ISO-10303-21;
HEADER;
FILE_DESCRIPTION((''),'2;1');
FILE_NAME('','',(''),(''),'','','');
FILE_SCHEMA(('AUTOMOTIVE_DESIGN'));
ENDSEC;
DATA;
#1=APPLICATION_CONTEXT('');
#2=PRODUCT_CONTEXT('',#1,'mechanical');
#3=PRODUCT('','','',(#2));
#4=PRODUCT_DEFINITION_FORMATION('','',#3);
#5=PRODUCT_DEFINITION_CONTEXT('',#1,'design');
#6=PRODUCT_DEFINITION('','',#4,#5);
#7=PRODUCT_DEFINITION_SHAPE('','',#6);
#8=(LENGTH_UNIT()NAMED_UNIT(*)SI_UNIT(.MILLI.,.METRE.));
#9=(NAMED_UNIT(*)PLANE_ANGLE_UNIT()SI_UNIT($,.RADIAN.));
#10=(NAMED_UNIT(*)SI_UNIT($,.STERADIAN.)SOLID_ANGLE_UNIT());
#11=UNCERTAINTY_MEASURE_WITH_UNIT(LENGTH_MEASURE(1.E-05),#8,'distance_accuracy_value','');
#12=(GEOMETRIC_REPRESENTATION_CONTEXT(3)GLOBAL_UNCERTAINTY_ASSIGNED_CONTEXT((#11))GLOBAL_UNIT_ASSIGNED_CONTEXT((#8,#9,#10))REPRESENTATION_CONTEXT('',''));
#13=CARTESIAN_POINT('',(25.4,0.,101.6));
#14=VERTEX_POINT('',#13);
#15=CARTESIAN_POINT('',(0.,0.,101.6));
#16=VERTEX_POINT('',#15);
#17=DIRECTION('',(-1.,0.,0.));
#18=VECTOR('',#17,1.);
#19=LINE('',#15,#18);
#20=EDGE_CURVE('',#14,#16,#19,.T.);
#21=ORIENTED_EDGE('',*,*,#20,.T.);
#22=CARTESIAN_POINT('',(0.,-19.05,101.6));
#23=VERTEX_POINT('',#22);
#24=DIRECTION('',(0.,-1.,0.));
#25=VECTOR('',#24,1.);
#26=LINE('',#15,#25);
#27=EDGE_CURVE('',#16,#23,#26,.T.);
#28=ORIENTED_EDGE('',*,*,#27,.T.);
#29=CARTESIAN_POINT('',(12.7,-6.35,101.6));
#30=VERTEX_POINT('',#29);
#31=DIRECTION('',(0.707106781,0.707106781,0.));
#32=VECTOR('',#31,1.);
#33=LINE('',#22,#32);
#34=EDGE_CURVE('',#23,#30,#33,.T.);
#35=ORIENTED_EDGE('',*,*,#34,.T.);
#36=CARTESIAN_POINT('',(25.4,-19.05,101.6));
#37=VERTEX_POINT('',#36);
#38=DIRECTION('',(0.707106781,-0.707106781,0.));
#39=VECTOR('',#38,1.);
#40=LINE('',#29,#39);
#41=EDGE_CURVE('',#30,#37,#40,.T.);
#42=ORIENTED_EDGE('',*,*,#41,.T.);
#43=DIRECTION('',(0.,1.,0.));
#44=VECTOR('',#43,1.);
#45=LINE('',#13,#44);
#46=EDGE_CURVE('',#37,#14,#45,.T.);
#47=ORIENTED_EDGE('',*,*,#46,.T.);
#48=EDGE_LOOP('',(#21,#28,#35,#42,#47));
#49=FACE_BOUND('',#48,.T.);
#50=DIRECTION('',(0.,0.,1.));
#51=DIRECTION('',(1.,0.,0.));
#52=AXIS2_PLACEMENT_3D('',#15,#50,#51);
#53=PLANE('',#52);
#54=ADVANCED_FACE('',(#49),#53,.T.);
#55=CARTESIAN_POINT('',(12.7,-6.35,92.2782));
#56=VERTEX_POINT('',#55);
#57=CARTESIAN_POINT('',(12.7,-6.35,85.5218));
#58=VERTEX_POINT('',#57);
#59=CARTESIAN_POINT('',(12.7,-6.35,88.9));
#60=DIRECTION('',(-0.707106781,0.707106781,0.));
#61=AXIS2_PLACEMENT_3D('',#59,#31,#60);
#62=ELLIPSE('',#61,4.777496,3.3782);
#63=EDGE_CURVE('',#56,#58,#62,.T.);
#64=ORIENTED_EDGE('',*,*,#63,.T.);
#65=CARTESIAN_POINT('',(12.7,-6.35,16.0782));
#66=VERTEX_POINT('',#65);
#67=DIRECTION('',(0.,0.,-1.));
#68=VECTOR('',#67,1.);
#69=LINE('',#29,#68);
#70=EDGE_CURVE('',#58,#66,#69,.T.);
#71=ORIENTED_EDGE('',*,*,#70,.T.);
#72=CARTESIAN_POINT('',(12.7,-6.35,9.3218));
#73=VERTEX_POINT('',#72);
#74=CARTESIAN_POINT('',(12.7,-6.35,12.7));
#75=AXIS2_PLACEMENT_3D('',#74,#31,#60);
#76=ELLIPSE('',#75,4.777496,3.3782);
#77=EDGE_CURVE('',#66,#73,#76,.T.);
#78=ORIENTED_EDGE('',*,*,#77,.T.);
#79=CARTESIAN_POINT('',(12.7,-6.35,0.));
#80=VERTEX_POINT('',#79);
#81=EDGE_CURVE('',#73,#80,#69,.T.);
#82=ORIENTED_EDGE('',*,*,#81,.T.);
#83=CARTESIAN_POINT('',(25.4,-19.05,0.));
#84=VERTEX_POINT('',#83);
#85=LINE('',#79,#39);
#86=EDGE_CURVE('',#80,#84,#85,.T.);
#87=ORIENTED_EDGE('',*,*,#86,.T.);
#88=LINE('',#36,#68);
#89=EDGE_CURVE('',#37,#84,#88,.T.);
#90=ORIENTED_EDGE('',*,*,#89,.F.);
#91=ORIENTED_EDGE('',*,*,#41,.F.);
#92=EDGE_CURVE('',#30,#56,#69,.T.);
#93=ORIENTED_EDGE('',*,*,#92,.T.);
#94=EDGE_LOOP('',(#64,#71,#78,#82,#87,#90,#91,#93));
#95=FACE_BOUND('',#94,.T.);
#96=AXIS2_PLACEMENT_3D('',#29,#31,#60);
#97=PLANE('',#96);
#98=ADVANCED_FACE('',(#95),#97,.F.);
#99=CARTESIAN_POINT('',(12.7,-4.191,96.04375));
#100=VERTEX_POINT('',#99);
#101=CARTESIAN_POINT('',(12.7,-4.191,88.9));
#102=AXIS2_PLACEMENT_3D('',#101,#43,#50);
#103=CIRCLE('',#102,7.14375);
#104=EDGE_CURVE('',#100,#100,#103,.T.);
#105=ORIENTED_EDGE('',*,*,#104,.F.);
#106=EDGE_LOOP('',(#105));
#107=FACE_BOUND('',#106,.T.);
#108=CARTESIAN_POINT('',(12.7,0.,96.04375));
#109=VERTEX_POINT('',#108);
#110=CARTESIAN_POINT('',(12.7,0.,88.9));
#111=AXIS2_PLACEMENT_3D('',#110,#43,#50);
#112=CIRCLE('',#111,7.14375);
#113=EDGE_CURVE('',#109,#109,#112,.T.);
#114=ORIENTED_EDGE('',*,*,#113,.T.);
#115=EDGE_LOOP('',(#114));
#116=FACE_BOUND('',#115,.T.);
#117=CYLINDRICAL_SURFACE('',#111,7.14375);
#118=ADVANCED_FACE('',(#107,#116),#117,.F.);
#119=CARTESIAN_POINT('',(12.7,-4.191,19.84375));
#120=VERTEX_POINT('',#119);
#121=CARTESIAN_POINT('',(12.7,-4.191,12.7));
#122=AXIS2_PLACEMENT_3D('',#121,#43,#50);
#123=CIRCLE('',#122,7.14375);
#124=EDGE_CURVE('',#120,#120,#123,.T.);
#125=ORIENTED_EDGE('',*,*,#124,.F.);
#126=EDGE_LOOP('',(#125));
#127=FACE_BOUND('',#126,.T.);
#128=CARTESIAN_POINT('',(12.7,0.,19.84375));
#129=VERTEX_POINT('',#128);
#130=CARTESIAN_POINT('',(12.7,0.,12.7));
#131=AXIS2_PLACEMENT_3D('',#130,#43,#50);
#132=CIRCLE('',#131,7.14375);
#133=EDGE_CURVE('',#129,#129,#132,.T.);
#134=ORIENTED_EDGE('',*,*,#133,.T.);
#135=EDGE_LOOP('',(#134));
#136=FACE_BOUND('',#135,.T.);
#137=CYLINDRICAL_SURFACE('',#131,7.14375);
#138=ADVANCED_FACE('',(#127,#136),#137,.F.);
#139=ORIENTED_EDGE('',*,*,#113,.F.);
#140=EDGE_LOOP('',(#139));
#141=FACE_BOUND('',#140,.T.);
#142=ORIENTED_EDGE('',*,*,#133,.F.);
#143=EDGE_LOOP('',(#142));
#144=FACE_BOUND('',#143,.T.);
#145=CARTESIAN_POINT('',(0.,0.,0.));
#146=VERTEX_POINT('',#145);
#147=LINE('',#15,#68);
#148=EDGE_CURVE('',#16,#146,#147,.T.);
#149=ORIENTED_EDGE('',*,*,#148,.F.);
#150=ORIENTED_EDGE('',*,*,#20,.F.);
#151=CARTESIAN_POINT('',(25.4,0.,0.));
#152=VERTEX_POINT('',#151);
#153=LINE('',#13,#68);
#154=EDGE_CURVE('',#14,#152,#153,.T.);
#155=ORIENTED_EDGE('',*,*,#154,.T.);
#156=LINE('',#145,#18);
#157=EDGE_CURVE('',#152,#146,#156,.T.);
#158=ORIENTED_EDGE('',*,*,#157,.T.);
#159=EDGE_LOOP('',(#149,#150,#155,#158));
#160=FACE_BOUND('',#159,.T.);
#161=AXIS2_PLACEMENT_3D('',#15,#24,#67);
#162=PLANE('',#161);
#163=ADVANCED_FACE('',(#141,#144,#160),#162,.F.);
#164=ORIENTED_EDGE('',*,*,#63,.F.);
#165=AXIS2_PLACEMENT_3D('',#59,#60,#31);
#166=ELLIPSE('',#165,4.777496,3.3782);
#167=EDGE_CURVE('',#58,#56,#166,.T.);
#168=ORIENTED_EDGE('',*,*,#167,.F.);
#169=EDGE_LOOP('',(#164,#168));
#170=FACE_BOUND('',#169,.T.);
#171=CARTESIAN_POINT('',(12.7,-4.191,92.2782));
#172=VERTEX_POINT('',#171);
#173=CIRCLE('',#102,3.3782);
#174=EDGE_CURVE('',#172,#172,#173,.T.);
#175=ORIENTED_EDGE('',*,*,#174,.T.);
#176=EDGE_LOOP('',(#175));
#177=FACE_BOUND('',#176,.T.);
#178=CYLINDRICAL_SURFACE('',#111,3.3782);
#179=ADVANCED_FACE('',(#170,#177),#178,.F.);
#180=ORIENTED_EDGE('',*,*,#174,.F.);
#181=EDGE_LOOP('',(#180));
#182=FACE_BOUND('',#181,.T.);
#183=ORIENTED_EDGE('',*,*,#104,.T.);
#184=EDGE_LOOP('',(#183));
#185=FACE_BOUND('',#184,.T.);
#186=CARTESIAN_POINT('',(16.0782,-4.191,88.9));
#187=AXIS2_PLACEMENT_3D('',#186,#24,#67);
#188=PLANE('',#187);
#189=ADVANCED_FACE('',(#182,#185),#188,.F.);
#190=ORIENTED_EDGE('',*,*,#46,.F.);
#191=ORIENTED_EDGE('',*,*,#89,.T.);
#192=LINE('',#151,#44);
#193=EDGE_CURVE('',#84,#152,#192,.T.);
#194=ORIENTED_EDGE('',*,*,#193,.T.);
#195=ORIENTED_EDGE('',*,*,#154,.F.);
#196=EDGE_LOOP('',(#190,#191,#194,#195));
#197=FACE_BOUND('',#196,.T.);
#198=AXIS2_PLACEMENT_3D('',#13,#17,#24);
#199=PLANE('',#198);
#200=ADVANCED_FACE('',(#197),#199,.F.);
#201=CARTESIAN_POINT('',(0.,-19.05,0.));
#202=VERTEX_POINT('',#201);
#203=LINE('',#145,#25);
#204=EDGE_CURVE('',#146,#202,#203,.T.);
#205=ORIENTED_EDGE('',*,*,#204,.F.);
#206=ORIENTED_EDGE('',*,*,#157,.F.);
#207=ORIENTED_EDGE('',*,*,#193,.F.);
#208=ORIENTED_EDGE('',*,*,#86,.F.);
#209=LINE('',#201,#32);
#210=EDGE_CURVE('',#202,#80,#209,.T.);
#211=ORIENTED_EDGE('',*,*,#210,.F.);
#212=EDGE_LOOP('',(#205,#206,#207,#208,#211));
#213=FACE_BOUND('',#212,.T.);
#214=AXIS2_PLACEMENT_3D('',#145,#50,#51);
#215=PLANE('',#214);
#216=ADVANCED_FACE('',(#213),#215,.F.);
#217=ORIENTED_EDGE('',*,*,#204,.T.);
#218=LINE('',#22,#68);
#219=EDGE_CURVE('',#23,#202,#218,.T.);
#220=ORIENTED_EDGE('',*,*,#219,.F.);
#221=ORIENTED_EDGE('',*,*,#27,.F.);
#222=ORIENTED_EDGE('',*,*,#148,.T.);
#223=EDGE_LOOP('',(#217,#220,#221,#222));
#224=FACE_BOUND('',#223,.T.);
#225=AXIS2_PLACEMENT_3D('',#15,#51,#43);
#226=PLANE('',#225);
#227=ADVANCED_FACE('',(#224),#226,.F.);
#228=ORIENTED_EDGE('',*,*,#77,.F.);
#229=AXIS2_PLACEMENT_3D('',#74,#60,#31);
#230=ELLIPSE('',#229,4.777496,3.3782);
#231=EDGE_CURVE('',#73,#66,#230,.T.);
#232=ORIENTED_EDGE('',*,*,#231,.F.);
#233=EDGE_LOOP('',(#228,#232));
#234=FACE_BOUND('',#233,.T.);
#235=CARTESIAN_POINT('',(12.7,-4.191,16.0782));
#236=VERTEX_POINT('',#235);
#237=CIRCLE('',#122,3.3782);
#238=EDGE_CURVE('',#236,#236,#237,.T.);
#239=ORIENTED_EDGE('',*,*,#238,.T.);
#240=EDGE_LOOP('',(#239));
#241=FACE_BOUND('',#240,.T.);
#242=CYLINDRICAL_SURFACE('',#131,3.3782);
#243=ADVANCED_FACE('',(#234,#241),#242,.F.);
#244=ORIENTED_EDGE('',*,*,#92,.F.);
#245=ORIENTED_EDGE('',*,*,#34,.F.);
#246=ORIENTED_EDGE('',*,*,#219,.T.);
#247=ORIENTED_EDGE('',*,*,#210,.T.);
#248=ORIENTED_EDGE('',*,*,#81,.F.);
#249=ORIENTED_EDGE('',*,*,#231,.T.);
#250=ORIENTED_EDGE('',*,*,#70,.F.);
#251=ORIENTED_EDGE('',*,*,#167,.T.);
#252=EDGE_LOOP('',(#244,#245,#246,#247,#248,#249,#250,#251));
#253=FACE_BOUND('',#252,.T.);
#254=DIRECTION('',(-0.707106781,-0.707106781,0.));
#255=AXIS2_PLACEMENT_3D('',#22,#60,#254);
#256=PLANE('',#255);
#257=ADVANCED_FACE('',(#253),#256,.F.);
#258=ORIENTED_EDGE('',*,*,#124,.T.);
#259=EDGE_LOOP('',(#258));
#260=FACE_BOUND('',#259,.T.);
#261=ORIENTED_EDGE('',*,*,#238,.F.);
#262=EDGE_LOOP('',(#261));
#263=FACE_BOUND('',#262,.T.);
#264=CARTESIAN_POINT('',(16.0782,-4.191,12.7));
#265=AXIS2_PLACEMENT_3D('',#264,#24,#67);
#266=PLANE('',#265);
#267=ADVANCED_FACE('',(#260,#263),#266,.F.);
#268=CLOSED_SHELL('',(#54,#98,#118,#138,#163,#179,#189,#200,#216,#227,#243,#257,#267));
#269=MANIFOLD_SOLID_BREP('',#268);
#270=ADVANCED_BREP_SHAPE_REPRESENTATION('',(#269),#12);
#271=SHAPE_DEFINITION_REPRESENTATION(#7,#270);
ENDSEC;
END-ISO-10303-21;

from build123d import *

# Parameters (mm, degrees)
BOSS_EXTRUDE1_DEPTH                                  = 101.6
CBORE_FOR_1_4_BINDING_HEAD_MACHINE_SCREW_D           = 6.7564
CBORE_FOR_1_4_BINDING_HEAD_MACHINE_SCREW_CBORE_D     = 14.2875
CBORE_FOR_1_4_BINDING_HEAD_MACHINE_SCREW_CBORE_DEPTH = 4.191


with BuildPart() as part:
    # Sketch1 → Boss-Extrude1 (new body)
    with BuildSketch(Plane.XY):
        Polygon((0, -19.05), (12.7, -6.35), (25.4, -19.05), (25.4, 0), (0, 0), align=None)
    extrude(amount=BOSS_EXTRUDE1_DEPTH)

    # CBORE for 1/4 Binding Head Machine Screw1 (through all)
    with Locations(Plane(origin=(0, 0, 0), x_dir=(1, 0, 0), z_dir=(0, 1, 0))):
        with Locations((12.7, -88.9), (12.7, -12.7)):
            CounterBoreHole(CBORE_FOR_1_4_BINDING_HEAD_MACHINE_SCREW_D / 2, CBORE_FOR_1_4_BINDING_HEAD_MACHINE_SCREW_CBORE_D / 2, CBORE_FOR_1_4_BINDING_HEAD_MACHINE_SCREW_CBORE_DEPTH)


solid = part.part
